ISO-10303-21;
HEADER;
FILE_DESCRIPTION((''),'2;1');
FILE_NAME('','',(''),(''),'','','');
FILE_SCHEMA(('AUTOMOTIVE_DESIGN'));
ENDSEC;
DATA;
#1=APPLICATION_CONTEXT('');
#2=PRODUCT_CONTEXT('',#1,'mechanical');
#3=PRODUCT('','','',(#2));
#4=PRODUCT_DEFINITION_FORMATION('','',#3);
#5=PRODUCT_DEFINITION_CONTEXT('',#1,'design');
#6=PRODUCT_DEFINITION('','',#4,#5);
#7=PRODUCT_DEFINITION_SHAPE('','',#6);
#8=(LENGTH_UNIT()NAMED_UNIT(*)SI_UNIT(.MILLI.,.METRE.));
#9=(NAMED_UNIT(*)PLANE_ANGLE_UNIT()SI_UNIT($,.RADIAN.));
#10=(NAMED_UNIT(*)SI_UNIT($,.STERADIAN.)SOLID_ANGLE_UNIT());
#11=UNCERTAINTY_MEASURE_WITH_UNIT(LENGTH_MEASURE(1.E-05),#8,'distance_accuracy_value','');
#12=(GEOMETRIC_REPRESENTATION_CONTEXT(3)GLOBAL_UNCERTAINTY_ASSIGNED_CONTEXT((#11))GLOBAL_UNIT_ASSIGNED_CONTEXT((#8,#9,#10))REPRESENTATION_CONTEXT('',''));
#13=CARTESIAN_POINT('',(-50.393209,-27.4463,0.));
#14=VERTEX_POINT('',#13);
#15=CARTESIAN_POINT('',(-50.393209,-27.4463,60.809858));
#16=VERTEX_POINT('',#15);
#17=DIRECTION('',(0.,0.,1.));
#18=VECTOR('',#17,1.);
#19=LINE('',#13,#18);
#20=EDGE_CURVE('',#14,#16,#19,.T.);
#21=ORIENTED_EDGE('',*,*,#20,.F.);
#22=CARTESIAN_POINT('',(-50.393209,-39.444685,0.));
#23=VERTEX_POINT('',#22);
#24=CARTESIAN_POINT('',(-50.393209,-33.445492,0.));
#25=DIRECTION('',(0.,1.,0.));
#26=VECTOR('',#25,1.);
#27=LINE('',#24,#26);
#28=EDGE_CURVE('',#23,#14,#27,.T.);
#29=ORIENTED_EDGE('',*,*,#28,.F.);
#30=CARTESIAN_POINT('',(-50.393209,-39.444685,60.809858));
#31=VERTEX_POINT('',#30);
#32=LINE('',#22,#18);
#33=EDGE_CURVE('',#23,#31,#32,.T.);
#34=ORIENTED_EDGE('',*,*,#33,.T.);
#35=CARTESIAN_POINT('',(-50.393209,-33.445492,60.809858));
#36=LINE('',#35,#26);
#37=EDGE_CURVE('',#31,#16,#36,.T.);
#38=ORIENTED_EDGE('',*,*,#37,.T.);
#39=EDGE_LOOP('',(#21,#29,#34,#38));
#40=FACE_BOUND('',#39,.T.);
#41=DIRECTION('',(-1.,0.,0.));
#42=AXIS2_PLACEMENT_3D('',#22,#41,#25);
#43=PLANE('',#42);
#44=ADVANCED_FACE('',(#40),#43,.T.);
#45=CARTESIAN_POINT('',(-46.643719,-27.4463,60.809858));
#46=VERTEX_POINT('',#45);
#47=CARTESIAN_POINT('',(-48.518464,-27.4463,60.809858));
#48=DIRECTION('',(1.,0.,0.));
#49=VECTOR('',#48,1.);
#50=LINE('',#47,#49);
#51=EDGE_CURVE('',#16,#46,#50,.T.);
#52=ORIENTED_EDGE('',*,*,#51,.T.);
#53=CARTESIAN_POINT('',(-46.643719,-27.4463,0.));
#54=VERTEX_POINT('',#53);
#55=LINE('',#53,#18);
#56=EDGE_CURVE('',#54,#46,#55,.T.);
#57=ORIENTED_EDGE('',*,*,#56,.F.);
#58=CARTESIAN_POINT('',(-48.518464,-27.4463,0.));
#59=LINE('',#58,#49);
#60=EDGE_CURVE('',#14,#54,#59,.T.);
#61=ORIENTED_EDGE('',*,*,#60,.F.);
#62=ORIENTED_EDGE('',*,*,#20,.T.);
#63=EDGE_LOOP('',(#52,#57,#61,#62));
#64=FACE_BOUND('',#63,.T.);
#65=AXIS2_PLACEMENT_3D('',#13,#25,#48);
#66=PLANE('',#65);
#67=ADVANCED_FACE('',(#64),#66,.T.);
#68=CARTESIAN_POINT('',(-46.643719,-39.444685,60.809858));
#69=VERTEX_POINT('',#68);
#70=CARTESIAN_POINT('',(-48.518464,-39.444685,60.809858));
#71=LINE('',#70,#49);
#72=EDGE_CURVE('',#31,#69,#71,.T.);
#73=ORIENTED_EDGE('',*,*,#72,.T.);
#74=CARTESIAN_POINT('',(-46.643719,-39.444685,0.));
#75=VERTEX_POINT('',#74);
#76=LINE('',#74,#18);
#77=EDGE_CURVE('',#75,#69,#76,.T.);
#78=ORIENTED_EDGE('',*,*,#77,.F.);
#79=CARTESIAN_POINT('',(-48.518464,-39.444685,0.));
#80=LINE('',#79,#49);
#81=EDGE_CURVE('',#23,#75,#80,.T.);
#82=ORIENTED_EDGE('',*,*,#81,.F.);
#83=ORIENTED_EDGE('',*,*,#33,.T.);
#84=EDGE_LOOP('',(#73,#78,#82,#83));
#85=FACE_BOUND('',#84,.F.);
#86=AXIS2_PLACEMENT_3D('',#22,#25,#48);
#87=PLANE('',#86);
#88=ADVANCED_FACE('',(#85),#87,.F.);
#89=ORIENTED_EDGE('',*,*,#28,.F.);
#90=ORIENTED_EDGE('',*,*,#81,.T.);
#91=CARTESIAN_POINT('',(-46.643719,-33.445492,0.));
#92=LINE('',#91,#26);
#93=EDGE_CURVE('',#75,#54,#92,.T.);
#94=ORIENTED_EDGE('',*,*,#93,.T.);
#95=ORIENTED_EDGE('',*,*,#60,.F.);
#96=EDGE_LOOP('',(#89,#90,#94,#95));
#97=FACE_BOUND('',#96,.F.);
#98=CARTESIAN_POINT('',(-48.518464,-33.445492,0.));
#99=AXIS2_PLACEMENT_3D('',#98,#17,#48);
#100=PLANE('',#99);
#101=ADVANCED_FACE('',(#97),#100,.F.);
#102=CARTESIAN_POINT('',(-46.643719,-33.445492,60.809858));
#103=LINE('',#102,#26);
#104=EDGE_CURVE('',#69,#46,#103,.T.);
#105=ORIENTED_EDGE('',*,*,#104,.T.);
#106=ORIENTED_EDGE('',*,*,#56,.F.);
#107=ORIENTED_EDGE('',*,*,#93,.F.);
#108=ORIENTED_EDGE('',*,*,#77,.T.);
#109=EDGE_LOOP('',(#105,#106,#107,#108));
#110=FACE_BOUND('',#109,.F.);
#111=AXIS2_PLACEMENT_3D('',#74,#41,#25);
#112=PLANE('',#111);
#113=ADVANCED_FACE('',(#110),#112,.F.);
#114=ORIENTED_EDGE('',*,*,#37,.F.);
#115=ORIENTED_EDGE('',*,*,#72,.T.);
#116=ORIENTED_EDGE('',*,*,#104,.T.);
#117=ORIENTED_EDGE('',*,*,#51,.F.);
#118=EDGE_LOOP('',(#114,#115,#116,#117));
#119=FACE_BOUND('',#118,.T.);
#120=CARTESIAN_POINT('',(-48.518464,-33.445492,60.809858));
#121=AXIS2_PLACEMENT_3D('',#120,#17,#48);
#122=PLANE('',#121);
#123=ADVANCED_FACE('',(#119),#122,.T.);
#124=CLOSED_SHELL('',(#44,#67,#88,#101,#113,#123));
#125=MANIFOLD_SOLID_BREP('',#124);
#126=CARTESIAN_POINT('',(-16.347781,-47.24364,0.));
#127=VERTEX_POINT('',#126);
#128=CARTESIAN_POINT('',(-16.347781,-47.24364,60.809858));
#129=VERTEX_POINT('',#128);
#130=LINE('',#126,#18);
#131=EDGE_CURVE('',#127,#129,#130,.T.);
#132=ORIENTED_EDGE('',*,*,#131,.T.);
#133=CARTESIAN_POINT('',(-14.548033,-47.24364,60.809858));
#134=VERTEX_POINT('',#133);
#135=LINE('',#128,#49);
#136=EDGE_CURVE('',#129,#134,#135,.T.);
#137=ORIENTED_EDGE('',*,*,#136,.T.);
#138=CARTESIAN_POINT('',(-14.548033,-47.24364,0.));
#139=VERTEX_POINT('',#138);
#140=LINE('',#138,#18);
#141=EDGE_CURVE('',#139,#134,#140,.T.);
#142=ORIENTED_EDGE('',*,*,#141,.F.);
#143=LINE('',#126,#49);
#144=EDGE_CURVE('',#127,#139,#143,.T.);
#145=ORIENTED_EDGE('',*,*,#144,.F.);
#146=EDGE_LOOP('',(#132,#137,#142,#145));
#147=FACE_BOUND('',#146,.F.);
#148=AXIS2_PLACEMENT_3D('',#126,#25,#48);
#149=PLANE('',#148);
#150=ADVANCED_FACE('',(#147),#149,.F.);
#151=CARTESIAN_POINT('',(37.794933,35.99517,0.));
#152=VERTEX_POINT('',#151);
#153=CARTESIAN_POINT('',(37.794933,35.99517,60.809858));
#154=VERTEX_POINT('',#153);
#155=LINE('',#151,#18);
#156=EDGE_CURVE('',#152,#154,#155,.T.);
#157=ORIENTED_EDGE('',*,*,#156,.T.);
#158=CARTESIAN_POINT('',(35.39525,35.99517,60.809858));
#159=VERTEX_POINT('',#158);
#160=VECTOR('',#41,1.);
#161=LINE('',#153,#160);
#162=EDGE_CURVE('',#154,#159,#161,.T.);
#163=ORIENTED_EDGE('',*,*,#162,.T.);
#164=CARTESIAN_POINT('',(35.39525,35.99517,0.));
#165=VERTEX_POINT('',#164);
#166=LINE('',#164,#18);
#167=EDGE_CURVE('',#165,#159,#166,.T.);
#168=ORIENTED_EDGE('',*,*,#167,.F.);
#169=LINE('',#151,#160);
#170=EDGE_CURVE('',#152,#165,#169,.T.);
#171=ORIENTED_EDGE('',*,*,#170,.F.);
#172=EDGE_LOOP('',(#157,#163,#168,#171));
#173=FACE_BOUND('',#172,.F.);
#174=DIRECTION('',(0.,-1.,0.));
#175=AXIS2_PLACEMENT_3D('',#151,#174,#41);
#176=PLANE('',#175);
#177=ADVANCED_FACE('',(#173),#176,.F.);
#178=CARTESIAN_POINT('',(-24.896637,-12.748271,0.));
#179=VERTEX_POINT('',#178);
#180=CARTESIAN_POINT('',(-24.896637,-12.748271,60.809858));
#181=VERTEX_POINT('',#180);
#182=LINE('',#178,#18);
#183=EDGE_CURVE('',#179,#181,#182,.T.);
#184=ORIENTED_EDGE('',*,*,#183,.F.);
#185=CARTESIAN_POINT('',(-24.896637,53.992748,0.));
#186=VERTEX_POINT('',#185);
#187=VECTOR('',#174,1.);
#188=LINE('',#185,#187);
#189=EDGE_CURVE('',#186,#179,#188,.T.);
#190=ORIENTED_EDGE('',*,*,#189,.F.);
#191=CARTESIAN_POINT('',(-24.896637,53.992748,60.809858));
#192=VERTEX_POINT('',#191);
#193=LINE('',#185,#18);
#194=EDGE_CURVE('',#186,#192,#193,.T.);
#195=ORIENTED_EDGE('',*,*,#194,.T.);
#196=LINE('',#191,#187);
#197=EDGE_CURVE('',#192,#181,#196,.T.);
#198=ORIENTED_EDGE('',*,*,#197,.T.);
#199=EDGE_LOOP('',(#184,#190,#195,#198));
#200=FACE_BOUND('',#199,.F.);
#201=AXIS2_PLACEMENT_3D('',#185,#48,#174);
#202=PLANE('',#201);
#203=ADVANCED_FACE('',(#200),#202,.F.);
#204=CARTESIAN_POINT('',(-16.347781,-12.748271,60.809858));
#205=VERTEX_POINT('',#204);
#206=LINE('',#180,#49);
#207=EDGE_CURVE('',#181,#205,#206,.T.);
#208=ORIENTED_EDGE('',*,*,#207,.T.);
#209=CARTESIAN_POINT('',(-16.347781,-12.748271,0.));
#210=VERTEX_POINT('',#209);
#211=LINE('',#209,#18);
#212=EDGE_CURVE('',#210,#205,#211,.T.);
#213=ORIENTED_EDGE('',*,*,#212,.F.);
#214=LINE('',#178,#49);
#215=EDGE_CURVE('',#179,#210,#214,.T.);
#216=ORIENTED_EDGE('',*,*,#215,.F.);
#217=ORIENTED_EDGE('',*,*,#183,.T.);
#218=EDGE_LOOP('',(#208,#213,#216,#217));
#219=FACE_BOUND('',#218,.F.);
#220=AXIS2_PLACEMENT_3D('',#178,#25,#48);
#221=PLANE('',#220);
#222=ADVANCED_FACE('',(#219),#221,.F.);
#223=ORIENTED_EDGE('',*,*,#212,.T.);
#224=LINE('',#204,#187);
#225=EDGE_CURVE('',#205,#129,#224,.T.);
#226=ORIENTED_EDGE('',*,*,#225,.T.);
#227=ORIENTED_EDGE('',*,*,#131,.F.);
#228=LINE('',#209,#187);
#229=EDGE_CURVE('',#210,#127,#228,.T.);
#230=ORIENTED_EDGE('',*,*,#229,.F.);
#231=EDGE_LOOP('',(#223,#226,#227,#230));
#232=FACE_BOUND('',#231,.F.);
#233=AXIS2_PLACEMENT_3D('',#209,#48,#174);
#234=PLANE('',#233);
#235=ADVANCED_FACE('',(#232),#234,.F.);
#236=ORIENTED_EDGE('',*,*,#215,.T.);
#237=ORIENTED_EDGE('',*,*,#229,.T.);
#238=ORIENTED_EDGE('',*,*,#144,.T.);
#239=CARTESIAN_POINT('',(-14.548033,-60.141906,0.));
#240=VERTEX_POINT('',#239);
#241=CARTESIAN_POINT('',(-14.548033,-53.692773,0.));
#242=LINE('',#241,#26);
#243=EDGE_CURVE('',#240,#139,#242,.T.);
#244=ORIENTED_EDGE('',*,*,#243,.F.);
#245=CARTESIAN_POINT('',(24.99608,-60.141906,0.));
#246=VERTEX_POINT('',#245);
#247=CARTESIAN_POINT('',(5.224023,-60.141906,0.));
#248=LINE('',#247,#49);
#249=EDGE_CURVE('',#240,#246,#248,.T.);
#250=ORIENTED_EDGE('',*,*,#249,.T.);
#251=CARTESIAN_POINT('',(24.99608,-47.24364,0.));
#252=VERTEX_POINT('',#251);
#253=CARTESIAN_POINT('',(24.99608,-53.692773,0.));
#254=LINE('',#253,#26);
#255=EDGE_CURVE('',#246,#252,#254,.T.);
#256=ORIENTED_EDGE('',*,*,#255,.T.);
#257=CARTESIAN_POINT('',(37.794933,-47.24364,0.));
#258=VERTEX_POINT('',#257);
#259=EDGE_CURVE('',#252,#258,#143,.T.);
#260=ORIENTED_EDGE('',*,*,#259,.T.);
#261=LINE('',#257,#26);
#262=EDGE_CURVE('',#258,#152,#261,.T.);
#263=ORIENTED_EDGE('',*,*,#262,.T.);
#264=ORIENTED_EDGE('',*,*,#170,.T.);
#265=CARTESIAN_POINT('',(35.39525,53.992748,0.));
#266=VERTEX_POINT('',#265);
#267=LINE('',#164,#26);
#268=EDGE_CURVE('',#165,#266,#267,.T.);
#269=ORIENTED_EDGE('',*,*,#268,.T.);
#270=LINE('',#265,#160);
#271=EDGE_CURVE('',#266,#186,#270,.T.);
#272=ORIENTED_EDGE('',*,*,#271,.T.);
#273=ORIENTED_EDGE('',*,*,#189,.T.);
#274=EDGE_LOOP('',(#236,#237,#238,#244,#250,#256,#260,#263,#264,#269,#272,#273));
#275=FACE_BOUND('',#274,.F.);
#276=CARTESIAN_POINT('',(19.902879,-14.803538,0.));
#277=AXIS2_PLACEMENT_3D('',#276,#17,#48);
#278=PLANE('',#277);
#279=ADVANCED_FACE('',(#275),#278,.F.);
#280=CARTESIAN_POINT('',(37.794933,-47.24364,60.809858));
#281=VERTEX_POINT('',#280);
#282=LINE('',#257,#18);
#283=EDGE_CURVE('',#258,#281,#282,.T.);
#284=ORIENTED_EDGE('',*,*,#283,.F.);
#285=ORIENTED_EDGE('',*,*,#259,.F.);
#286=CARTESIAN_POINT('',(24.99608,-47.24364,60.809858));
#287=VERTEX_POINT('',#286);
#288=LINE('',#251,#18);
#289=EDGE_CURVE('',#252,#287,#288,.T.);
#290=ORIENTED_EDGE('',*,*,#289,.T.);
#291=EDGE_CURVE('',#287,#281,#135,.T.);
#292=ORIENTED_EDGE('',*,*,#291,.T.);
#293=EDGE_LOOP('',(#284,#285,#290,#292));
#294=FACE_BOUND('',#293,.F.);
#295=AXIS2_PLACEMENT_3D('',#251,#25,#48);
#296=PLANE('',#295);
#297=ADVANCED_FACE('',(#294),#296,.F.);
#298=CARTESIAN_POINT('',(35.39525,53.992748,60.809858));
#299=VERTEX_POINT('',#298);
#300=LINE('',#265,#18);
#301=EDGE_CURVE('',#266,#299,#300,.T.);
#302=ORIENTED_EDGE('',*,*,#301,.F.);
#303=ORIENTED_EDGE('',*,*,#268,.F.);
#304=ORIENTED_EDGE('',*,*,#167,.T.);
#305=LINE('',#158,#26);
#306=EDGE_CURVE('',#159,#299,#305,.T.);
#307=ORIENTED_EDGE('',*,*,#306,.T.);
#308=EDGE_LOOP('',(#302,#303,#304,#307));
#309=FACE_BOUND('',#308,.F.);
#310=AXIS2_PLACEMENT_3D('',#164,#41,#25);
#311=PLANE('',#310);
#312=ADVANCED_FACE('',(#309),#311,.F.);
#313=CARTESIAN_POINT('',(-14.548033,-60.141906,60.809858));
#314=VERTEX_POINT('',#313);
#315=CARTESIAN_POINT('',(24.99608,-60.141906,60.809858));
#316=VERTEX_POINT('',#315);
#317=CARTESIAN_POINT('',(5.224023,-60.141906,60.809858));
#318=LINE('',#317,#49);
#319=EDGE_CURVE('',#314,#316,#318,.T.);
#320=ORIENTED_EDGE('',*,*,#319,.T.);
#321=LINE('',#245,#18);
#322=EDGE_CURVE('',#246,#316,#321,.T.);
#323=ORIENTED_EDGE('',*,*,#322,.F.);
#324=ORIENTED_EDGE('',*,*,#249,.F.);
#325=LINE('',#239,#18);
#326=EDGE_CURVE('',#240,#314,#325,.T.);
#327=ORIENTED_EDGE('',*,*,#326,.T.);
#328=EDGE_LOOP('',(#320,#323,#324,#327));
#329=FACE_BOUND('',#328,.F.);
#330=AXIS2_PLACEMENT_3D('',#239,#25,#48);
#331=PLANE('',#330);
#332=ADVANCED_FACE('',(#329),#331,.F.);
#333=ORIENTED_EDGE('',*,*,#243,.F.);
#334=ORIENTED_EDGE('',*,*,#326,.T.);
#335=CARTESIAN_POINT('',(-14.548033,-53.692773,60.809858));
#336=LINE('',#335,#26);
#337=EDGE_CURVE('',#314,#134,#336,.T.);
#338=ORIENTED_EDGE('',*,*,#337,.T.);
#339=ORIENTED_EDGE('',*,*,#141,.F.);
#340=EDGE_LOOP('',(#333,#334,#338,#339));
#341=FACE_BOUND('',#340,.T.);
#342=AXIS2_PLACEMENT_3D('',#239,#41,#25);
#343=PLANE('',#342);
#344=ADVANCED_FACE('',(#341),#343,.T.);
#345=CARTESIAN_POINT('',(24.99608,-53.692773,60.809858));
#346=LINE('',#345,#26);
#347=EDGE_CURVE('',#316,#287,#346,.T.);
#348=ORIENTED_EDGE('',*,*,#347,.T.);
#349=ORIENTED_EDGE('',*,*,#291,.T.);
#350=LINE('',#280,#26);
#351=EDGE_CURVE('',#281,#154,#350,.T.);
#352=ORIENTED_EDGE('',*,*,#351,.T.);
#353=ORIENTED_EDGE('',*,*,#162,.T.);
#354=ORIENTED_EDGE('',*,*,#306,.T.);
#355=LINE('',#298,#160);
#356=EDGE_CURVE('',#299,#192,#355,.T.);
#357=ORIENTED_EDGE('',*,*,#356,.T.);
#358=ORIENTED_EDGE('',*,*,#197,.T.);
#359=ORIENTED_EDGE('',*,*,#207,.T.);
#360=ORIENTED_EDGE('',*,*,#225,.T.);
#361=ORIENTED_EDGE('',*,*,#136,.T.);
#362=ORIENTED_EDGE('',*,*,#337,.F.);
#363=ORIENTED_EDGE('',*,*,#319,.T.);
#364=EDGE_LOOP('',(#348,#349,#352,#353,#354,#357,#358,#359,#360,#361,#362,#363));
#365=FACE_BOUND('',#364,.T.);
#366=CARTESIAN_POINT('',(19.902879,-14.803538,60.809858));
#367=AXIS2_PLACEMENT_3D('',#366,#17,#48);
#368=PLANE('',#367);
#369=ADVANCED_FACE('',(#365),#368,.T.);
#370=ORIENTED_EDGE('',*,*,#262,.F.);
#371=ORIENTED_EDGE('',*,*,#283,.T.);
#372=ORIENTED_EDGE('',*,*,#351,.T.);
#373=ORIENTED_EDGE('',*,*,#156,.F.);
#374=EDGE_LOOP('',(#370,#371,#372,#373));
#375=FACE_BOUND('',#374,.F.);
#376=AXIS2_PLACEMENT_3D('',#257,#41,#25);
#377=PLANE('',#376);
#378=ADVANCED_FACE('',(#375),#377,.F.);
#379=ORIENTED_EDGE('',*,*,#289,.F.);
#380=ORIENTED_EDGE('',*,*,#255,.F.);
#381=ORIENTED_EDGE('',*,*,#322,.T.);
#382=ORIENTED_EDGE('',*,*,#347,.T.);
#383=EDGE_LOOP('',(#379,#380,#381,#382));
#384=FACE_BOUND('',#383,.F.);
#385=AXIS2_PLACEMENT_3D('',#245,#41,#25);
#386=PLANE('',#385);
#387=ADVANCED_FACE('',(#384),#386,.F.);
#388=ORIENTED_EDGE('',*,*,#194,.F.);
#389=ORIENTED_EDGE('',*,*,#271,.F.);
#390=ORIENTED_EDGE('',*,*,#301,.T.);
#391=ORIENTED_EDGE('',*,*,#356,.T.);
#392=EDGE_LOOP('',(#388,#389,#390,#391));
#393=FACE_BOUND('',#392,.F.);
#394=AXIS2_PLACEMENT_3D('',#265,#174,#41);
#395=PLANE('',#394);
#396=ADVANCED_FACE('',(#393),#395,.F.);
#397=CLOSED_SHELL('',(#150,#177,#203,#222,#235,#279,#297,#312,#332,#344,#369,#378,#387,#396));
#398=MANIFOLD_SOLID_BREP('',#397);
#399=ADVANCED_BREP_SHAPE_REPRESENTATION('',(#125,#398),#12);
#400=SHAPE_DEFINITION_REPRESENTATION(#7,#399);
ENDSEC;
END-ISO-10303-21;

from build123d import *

# Parameters (mm, degrees)
F0_W     = 39.5441129804
F0_H     = 12.8982663155
F0_W_2   = 51.7430305481
F0_H_2   = 48.7434417009
F1_DEPTH = 60.8098581433
F0_W_3   = 3.7494897842
F0_H_3   = 11.998385191


with BuildPart() as f1:
    # F0 (on Top) → F1 (new body)
    with BuildSketch(Plane.XY):
        Polygon((35.3952497244, -12.7482712269), (-16.3477808237, -12.7482712269), (-16.3477808237, -47.2436398268), (-14.5480334759, -47.2436398268), (24.9960795045, -47.2436398268), (37.794932723, -47.2436398268), (37.794932723, 35.9951704741), (35.3952497244, 35.9951704741), align=None)
        with Locations((5.2240230143, -53.6927729845)):
            Rectangle(F0_W, F0_H)
        Polygon((-24.8966366053, 53.9927482605), (-24.8966366053, -12.7482712269), (-16.3477808237, -12.7482712269), (-16.3477808237, 35.9951704741), (35.3952497244, 35.9951704741), (35.3952497244, 53.9927482605), align=None)
        with Locations((9.5237344503, 11.6234496236)):
            Rectangle(F0_W_2, F0_H_2)
    extrude(amount=F1_DEPTH)


with BuildPart() as f1b:
    # F0 (on Top) → F1, piece 2 (new body)
    with BuildSketch(Plane.XY):
        with Locations((-48.5184639692, -33.4454923868)):
            Rectangle(F0_W_3, F0_H_3)
    extrude(amount=F1_DEPTH)


solid = Compound([f1.part, f1b.part])
